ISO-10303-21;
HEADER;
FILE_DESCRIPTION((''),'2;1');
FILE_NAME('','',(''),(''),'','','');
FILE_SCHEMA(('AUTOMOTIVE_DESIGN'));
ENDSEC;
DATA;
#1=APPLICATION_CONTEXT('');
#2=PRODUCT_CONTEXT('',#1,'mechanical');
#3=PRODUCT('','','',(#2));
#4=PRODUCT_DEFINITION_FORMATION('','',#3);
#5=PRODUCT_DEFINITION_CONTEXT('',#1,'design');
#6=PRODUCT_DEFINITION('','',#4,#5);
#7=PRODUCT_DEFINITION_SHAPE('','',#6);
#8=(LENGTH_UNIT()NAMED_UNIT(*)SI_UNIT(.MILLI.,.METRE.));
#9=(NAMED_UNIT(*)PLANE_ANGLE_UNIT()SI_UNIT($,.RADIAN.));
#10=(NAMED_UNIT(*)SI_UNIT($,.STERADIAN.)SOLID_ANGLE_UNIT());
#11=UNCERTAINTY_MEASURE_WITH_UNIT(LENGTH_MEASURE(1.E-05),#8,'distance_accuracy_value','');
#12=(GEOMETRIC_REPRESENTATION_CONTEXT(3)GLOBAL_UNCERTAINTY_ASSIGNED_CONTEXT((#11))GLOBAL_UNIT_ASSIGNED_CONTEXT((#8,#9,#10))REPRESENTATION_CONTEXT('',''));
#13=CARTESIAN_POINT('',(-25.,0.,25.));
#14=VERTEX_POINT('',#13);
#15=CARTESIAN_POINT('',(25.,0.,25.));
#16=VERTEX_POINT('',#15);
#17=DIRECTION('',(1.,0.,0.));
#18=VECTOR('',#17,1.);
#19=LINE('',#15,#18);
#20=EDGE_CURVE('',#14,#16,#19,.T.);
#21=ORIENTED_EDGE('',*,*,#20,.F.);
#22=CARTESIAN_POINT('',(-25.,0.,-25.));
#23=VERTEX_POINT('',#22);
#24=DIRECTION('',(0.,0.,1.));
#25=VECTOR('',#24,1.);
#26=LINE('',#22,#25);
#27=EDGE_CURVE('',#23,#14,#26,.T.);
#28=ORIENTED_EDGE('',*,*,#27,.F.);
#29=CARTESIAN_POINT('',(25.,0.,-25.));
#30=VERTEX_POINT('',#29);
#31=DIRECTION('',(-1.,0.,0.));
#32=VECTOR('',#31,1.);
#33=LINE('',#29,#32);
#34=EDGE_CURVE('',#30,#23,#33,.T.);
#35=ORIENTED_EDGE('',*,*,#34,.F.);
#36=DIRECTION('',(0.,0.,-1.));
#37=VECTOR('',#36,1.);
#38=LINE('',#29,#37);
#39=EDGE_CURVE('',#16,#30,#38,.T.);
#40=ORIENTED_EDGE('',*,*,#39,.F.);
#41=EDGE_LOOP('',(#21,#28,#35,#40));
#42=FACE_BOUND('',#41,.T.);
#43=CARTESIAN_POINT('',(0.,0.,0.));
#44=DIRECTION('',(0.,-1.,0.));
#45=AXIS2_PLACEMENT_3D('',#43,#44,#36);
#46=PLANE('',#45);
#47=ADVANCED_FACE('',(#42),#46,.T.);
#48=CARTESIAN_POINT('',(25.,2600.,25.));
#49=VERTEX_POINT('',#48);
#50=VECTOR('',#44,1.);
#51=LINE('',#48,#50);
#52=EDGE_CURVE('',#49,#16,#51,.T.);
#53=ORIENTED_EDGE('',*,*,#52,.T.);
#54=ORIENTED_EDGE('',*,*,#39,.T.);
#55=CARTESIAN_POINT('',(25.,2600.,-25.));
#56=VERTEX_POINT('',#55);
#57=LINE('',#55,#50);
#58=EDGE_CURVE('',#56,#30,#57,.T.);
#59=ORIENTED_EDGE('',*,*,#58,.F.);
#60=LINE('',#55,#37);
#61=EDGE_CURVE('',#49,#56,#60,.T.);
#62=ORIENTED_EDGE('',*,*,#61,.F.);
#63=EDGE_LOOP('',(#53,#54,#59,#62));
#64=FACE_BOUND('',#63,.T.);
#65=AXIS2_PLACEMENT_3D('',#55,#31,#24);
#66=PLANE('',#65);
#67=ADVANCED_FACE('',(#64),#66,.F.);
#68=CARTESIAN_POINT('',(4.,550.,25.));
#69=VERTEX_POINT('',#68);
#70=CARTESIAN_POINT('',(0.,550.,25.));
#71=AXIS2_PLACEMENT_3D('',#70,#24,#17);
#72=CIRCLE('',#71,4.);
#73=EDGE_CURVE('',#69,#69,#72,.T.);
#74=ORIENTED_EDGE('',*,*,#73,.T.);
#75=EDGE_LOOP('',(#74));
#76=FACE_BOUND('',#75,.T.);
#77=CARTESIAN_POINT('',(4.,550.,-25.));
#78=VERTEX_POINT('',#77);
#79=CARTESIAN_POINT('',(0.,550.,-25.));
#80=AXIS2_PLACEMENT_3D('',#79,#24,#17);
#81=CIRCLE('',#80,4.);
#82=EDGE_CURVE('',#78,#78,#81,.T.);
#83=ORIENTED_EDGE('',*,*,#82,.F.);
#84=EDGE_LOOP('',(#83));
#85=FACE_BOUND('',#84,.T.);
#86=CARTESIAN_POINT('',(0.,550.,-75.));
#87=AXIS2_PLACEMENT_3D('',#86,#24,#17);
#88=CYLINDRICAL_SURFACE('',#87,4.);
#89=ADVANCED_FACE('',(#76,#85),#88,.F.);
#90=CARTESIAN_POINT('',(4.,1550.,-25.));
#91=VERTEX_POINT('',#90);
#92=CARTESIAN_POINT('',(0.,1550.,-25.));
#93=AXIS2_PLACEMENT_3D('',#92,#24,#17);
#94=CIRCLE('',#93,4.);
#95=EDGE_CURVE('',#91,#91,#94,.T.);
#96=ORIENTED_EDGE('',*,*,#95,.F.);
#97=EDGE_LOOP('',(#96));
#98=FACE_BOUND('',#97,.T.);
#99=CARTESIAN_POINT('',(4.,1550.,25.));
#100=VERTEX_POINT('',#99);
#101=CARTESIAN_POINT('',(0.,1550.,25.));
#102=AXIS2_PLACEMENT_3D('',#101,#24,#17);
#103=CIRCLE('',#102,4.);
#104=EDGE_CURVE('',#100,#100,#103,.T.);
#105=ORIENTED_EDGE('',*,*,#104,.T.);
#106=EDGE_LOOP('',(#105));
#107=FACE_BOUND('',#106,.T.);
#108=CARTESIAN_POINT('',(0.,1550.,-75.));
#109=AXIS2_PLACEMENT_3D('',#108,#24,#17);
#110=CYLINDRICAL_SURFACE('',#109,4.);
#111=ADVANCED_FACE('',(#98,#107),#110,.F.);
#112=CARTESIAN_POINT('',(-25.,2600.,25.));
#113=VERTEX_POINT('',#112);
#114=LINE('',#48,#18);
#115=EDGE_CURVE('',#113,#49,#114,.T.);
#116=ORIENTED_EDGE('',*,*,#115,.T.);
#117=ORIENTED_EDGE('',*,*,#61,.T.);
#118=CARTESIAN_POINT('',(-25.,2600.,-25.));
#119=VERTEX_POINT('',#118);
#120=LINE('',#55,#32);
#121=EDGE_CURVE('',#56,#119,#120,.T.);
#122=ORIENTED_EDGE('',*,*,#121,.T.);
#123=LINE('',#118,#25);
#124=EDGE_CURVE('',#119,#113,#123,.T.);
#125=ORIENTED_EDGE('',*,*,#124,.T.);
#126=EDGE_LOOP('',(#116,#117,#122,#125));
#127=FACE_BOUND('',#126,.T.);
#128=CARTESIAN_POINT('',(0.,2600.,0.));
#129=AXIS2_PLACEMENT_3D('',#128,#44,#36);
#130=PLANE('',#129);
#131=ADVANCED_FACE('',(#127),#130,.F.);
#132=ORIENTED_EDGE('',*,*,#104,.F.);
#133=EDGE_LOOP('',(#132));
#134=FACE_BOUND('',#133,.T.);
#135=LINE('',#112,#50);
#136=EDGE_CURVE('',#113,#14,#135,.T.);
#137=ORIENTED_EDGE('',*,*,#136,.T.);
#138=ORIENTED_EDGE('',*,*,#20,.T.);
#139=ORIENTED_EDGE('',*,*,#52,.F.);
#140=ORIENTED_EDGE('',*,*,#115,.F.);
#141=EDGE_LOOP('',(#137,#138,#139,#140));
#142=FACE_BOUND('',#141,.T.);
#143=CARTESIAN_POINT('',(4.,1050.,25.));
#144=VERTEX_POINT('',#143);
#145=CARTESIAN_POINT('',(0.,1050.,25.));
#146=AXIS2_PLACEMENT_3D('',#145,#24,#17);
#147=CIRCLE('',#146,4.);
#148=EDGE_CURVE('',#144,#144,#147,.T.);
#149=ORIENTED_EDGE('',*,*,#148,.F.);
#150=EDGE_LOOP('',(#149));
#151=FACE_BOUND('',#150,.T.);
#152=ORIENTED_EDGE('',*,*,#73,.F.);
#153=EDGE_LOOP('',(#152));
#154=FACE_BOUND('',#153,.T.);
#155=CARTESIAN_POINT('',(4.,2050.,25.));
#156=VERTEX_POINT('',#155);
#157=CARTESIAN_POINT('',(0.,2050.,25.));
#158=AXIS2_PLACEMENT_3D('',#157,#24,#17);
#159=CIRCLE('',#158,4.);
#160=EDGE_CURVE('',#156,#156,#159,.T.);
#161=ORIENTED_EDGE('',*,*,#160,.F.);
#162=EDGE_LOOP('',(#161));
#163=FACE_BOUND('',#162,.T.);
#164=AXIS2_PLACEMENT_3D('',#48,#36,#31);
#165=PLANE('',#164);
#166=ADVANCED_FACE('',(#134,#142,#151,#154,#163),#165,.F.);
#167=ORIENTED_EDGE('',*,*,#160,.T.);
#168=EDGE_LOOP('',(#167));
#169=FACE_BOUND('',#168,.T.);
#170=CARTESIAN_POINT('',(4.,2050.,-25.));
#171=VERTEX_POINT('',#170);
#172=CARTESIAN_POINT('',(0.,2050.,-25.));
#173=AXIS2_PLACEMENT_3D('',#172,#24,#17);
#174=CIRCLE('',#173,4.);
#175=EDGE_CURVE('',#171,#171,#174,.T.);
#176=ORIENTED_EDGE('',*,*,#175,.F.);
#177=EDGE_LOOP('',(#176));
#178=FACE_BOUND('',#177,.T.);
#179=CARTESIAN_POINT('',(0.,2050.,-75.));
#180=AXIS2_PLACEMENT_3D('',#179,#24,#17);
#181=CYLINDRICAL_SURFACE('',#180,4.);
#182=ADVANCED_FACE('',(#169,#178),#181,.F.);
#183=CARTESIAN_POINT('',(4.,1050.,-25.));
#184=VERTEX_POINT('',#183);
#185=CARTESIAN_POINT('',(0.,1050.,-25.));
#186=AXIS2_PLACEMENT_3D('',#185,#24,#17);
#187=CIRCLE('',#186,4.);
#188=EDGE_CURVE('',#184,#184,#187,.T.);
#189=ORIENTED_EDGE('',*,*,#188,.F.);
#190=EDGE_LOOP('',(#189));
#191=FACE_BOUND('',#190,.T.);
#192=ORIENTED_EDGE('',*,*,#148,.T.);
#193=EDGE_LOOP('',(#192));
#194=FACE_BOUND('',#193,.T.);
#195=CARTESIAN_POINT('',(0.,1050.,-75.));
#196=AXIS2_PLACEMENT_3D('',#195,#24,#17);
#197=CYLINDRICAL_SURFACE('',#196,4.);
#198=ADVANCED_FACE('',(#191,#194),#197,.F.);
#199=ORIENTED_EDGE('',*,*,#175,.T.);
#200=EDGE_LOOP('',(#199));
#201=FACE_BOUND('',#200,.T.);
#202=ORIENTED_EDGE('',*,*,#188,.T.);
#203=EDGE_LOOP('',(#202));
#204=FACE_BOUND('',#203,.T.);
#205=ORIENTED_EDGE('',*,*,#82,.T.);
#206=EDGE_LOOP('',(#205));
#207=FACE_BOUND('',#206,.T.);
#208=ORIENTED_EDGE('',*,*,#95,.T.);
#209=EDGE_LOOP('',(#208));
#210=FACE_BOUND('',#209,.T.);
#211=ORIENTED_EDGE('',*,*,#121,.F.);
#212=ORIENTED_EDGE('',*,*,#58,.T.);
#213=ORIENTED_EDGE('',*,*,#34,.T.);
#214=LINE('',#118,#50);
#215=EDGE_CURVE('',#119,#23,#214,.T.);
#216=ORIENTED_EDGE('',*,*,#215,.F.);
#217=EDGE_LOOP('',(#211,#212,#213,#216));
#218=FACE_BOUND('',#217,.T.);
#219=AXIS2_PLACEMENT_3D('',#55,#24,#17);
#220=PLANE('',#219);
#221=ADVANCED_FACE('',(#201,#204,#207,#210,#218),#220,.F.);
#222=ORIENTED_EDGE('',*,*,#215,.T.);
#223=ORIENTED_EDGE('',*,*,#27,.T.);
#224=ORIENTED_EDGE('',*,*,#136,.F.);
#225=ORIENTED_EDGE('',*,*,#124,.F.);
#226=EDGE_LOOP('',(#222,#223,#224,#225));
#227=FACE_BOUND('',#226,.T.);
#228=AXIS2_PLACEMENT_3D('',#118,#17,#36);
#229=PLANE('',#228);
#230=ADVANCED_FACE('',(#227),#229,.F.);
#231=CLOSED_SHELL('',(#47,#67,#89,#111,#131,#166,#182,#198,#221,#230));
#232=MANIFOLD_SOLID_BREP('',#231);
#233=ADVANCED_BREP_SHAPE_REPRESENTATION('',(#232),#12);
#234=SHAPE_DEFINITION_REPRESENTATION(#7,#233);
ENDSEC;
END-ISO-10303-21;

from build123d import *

# Parameters (mm, degrees)
SKETCH_1_W          = 50
SKETCH_1_H          = 50
EXTRUDE_1_DEPTH     = 2600
SKETCH_2_R          = 4
CUT_EXTRUDE_1_DEPTH = 100


with BuildPart() as part:
    # Эскиз1 → Бобышка-Вытянуть1 (new body)
    with BuildSketch(Plane(origin=(0, 0, 0), x_dir=(1, 0, 0), z_dir=(0, 1, 0))):
        Rectangle(SKETCH_1_W, SKETCH_1_H)
    extrude(amount=EXTRUDE_1_DEPTH)

    # Эскиз2 → Вырез-Вытянуть1 (cut)
    with BuildSketch(Plane.XY.offset(25)):
        with Locations((0, 2050)):
            Circle(SKETCH_2_R)
        with Locations((0, 1550)):
            Circle(SKETCH_2_R)
        with Locations((0, 1050)):
            Circle(SKETCH_2_R)
        with Locations((0, 550)):
            Circle(SKETCH_2_R)
    extrude(amount=-CUT_EXTRUDE_1_DEPTH, mode=Mode.SUBTRACT)


solid = part.part
